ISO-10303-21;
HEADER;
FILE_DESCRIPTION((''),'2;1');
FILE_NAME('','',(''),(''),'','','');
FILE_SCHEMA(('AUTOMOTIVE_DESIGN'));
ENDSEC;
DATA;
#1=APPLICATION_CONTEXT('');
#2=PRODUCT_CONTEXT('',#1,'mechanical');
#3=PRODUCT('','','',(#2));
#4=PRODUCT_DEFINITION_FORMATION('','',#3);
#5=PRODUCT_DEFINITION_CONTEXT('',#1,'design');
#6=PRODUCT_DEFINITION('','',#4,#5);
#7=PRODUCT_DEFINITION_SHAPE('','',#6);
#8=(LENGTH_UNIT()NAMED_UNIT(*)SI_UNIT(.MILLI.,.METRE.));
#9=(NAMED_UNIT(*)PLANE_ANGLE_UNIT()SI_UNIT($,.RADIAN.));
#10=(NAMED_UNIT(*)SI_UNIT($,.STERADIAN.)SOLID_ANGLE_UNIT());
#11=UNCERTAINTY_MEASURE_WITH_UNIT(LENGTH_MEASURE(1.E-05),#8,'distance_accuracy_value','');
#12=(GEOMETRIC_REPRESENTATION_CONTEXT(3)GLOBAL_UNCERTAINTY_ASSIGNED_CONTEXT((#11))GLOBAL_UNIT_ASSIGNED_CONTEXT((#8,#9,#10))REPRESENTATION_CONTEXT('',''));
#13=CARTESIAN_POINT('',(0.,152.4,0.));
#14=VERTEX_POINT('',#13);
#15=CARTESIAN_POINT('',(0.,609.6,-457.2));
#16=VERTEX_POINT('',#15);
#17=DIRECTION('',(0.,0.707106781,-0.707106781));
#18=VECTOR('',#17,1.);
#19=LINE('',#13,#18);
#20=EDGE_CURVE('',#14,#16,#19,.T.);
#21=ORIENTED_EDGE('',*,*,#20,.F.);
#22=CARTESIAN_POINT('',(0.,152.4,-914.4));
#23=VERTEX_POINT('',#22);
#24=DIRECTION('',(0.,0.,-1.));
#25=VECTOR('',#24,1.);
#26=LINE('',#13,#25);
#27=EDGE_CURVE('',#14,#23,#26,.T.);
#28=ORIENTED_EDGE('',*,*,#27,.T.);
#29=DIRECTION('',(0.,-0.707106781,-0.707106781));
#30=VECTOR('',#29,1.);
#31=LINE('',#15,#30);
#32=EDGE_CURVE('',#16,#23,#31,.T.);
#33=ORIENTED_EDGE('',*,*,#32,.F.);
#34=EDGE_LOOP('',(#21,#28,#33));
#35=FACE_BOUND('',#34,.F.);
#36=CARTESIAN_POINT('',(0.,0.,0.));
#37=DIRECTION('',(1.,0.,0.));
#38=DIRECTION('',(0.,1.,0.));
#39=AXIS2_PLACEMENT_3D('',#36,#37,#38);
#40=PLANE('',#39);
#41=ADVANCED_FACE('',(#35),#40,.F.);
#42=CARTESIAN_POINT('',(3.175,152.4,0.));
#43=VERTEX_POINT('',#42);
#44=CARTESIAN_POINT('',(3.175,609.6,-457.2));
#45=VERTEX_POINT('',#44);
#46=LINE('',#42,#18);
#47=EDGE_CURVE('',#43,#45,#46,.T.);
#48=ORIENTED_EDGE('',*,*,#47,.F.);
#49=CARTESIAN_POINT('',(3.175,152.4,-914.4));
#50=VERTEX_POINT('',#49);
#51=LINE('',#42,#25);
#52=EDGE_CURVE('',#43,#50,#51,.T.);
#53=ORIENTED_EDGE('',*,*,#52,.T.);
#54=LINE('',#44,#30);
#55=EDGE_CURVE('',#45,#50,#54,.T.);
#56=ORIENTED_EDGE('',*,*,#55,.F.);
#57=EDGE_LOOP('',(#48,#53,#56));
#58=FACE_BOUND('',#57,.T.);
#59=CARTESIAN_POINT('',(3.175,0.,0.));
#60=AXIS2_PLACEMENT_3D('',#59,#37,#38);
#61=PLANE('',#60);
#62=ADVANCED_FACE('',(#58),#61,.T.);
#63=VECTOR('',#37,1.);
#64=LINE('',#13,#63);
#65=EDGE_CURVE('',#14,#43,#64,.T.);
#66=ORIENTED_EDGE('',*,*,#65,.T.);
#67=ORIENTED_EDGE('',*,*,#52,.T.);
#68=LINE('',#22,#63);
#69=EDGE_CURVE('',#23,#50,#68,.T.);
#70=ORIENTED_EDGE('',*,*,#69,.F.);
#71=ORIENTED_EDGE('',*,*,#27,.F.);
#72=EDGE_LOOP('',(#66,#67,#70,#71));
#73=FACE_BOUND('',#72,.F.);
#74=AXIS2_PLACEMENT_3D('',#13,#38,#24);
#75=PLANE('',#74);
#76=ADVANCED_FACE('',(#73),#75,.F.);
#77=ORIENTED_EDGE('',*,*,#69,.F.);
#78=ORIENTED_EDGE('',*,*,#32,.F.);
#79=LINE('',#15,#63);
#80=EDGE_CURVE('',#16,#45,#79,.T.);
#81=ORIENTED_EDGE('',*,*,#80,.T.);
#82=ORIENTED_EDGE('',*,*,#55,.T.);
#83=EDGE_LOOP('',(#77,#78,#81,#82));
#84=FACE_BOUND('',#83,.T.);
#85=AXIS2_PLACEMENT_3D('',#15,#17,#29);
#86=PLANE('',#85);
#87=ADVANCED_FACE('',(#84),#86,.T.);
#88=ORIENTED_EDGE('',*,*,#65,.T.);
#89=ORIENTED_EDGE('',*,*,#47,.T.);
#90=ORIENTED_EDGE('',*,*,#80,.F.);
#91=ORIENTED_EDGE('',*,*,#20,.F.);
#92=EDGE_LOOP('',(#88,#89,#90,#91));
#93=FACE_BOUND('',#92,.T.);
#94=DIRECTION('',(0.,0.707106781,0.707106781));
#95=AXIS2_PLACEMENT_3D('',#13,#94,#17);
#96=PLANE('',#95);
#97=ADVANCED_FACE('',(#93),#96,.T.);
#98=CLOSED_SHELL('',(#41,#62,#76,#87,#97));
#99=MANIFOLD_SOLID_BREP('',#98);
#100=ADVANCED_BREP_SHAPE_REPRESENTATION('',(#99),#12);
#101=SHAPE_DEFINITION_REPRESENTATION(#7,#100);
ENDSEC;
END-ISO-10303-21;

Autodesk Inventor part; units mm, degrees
ref_plane "YZ Plane" through (0, 0, 0) normal (1, 0, 0) x (0, 1, 0)
ref_plane "XZ Plane" through (0, 0, 0) normal (0, 1, 0) x (-1, 0, 0)
ref_plane "XY Plane" through (0, 0, 0) normal (0, 0, 1) x (1, 0, 0)
sketch "Sketch5" plane through (0, 0, 0) normal (1, 0, 0) x (0, 1, 0)
  line L0 (0, 0) -> (152.4, 0) construction
  line L1 (152.4, 0) -> (152.4, -914.4)
  line L2 (152.4, -914.4) -> (0, -914.4) construction
  line L3 (0, -914.4) -> (0, 0) construction
  line L4 (152.4, 0) -> (609.6, -457.2)
  line L5 (152.4, 0) -> (798.9784, 0) construction
  line L6 (609.6, -457.2) -> (152.4, -914.4)
  dimension "d18" = 45
extrude "Extrusion5" add sketch "Sketch5" along normal blind 3.175
properties part number "Plexi-SideV!" material "Acrylic, Clear"
